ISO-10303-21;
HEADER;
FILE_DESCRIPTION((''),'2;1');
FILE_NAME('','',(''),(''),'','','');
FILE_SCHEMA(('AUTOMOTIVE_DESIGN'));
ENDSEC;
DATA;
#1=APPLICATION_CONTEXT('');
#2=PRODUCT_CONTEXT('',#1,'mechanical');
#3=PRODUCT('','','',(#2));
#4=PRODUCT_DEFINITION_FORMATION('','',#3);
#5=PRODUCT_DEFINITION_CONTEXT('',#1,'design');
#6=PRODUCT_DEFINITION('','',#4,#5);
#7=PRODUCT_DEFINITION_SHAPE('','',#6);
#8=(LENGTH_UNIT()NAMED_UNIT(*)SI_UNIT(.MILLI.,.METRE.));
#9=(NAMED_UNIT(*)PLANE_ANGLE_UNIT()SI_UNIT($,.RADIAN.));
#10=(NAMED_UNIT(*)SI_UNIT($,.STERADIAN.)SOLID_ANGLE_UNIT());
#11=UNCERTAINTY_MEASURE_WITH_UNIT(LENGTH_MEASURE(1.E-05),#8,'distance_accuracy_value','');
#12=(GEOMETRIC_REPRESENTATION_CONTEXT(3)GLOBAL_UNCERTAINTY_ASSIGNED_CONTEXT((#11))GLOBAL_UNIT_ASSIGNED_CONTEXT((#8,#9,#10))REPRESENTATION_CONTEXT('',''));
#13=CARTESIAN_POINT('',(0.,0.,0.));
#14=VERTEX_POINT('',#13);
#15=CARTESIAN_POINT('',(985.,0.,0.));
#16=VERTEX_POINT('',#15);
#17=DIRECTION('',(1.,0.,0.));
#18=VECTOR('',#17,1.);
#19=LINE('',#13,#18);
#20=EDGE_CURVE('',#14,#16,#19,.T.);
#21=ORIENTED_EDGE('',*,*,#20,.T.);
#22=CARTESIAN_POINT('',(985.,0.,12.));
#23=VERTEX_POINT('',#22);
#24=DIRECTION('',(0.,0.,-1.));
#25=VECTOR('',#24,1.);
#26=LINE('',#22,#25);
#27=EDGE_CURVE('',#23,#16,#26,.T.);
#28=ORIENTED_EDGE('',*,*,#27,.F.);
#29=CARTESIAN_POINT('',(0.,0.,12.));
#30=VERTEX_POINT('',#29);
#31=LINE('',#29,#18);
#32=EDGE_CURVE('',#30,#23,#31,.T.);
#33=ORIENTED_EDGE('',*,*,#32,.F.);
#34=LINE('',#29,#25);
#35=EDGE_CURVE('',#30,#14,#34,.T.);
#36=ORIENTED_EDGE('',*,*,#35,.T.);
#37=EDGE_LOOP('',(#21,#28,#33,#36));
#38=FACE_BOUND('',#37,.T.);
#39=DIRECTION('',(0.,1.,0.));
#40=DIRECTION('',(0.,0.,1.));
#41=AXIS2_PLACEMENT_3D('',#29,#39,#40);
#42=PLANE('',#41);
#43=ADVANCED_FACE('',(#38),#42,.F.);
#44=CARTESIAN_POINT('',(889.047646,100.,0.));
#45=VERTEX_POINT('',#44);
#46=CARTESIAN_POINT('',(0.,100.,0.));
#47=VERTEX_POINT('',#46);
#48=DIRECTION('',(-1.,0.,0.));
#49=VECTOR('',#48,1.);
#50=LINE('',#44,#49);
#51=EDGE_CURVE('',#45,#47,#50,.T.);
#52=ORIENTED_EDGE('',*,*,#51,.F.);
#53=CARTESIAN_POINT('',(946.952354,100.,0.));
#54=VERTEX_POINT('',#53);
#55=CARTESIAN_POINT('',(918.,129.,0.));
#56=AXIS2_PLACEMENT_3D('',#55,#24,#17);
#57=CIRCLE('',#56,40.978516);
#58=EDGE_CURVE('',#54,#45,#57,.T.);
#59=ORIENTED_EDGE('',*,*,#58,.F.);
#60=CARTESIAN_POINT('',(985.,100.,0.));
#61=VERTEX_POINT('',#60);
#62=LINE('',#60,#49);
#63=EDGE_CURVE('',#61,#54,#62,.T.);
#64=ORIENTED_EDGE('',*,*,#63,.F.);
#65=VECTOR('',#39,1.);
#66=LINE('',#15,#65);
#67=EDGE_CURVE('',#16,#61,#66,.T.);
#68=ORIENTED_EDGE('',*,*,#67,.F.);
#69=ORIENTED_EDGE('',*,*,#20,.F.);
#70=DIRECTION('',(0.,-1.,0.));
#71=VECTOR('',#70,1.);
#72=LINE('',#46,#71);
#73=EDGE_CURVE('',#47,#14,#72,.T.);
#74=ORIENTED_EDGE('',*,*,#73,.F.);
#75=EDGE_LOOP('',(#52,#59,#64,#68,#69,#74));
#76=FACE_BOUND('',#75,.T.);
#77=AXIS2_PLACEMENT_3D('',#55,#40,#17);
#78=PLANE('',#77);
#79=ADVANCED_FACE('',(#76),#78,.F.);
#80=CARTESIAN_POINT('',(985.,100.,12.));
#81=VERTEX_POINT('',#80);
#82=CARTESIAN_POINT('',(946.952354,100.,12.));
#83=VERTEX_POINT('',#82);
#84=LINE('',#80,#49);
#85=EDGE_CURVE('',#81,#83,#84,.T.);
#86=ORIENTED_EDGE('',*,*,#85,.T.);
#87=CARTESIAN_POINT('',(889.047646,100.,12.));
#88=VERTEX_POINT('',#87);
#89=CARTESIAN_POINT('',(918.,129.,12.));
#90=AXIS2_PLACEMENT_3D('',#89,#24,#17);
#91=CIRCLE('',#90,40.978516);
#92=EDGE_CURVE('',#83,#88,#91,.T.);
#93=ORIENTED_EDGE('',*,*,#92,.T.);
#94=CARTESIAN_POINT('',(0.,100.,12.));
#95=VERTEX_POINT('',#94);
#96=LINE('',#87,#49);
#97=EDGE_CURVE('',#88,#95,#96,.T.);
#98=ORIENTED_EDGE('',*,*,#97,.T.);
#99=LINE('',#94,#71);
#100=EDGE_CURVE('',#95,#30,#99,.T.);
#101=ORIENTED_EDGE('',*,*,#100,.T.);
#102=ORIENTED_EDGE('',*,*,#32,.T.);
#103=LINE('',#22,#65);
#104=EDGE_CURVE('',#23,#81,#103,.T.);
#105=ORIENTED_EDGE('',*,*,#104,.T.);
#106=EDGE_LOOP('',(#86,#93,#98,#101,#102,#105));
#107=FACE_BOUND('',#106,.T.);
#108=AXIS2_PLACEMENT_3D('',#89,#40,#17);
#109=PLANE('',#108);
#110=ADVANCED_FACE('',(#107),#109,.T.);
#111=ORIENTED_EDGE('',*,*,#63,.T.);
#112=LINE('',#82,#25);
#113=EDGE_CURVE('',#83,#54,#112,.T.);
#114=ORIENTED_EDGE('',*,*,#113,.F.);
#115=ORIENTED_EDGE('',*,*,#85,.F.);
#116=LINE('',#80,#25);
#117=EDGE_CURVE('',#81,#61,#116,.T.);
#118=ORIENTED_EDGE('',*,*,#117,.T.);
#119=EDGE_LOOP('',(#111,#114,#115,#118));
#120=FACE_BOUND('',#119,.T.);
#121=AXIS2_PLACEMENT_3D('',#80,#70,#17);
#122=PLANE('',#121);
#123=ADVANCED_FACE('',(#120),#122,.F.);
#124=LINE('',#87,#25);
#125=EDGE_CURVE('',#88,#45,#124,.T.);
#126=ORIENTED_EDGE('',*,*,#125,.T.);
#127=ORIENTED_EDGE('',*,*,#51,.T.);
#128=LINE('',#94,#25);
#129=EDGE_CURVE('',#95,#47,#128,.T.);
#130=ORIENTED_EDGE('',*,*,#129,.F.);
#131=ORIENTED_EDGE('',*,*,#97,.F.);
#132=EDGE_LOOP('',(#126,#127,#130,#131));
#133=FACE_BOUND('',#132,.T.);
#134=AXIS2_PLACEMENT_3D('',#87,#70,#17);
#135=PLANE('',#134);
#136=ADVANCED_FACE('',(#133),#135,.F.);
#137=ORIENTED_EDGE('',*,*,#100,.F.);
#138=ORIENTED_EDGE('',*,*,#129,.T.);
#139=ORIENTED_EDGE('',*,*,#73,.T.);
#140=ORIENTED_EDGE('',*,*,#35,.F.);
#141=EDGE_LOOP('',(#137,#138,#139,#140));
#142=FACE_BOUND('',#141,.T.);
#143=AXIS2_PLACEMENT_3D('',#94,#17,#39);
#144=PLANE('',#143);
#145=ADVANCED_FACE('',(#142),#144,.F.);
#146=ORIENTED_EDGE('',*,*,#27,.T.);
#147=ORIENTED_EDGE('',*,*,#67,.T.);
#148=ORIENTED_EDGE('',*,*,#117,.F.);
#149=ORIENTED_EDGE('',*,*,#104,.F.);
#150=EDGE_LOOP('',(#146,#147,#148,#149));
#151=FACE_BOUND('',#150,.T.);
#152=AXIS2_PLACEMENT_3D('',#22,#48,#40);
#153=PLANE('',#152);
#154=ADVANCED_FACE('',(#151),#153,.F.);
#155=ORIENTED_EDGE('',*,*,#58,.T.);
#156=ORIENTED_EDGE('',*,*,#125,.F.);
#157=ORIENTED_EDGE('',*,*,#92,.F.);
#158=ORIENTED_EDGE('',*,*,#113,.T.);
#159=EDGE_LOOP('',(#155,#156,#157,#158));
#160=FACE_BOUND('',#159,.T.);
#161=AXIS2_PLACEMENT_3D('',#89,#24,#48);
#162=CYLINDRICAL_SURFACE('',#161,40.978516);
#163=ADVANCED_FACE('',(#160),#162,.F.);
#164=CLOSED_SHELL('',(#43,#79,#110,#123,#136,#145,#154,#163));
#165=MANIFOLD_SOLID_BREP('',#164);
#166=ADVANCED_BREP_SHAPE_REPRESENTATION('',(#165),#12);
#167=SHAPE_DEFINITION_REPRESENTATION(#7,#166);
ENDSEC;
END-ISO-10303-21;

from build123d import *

# Parameters (mm, degrees)
SALIENTE_EXTRUIR1_DEPTH = 12


with BuildPart() as part:
    # Croquis1 → Saliente-Extruir1 (new body)
    with BuildSketch(Plane.XY):
        with BuildLine():
            Line((0, 0), (985, 0))
            Line((985, 0), (985, 100))
            Line((985, 100), (946.952353927, 100))
            ThreePointArc((946.952353927, 100), (918, 88.021483703), (889.047646073, 100))
            Line((889.047646073, 100), (0, 100))
            Line((0, 100), (0, 0))
        make_face()
    extrude(amount=SALIENTE_EXTRUIR1_DEPTH)


solid = part.part
